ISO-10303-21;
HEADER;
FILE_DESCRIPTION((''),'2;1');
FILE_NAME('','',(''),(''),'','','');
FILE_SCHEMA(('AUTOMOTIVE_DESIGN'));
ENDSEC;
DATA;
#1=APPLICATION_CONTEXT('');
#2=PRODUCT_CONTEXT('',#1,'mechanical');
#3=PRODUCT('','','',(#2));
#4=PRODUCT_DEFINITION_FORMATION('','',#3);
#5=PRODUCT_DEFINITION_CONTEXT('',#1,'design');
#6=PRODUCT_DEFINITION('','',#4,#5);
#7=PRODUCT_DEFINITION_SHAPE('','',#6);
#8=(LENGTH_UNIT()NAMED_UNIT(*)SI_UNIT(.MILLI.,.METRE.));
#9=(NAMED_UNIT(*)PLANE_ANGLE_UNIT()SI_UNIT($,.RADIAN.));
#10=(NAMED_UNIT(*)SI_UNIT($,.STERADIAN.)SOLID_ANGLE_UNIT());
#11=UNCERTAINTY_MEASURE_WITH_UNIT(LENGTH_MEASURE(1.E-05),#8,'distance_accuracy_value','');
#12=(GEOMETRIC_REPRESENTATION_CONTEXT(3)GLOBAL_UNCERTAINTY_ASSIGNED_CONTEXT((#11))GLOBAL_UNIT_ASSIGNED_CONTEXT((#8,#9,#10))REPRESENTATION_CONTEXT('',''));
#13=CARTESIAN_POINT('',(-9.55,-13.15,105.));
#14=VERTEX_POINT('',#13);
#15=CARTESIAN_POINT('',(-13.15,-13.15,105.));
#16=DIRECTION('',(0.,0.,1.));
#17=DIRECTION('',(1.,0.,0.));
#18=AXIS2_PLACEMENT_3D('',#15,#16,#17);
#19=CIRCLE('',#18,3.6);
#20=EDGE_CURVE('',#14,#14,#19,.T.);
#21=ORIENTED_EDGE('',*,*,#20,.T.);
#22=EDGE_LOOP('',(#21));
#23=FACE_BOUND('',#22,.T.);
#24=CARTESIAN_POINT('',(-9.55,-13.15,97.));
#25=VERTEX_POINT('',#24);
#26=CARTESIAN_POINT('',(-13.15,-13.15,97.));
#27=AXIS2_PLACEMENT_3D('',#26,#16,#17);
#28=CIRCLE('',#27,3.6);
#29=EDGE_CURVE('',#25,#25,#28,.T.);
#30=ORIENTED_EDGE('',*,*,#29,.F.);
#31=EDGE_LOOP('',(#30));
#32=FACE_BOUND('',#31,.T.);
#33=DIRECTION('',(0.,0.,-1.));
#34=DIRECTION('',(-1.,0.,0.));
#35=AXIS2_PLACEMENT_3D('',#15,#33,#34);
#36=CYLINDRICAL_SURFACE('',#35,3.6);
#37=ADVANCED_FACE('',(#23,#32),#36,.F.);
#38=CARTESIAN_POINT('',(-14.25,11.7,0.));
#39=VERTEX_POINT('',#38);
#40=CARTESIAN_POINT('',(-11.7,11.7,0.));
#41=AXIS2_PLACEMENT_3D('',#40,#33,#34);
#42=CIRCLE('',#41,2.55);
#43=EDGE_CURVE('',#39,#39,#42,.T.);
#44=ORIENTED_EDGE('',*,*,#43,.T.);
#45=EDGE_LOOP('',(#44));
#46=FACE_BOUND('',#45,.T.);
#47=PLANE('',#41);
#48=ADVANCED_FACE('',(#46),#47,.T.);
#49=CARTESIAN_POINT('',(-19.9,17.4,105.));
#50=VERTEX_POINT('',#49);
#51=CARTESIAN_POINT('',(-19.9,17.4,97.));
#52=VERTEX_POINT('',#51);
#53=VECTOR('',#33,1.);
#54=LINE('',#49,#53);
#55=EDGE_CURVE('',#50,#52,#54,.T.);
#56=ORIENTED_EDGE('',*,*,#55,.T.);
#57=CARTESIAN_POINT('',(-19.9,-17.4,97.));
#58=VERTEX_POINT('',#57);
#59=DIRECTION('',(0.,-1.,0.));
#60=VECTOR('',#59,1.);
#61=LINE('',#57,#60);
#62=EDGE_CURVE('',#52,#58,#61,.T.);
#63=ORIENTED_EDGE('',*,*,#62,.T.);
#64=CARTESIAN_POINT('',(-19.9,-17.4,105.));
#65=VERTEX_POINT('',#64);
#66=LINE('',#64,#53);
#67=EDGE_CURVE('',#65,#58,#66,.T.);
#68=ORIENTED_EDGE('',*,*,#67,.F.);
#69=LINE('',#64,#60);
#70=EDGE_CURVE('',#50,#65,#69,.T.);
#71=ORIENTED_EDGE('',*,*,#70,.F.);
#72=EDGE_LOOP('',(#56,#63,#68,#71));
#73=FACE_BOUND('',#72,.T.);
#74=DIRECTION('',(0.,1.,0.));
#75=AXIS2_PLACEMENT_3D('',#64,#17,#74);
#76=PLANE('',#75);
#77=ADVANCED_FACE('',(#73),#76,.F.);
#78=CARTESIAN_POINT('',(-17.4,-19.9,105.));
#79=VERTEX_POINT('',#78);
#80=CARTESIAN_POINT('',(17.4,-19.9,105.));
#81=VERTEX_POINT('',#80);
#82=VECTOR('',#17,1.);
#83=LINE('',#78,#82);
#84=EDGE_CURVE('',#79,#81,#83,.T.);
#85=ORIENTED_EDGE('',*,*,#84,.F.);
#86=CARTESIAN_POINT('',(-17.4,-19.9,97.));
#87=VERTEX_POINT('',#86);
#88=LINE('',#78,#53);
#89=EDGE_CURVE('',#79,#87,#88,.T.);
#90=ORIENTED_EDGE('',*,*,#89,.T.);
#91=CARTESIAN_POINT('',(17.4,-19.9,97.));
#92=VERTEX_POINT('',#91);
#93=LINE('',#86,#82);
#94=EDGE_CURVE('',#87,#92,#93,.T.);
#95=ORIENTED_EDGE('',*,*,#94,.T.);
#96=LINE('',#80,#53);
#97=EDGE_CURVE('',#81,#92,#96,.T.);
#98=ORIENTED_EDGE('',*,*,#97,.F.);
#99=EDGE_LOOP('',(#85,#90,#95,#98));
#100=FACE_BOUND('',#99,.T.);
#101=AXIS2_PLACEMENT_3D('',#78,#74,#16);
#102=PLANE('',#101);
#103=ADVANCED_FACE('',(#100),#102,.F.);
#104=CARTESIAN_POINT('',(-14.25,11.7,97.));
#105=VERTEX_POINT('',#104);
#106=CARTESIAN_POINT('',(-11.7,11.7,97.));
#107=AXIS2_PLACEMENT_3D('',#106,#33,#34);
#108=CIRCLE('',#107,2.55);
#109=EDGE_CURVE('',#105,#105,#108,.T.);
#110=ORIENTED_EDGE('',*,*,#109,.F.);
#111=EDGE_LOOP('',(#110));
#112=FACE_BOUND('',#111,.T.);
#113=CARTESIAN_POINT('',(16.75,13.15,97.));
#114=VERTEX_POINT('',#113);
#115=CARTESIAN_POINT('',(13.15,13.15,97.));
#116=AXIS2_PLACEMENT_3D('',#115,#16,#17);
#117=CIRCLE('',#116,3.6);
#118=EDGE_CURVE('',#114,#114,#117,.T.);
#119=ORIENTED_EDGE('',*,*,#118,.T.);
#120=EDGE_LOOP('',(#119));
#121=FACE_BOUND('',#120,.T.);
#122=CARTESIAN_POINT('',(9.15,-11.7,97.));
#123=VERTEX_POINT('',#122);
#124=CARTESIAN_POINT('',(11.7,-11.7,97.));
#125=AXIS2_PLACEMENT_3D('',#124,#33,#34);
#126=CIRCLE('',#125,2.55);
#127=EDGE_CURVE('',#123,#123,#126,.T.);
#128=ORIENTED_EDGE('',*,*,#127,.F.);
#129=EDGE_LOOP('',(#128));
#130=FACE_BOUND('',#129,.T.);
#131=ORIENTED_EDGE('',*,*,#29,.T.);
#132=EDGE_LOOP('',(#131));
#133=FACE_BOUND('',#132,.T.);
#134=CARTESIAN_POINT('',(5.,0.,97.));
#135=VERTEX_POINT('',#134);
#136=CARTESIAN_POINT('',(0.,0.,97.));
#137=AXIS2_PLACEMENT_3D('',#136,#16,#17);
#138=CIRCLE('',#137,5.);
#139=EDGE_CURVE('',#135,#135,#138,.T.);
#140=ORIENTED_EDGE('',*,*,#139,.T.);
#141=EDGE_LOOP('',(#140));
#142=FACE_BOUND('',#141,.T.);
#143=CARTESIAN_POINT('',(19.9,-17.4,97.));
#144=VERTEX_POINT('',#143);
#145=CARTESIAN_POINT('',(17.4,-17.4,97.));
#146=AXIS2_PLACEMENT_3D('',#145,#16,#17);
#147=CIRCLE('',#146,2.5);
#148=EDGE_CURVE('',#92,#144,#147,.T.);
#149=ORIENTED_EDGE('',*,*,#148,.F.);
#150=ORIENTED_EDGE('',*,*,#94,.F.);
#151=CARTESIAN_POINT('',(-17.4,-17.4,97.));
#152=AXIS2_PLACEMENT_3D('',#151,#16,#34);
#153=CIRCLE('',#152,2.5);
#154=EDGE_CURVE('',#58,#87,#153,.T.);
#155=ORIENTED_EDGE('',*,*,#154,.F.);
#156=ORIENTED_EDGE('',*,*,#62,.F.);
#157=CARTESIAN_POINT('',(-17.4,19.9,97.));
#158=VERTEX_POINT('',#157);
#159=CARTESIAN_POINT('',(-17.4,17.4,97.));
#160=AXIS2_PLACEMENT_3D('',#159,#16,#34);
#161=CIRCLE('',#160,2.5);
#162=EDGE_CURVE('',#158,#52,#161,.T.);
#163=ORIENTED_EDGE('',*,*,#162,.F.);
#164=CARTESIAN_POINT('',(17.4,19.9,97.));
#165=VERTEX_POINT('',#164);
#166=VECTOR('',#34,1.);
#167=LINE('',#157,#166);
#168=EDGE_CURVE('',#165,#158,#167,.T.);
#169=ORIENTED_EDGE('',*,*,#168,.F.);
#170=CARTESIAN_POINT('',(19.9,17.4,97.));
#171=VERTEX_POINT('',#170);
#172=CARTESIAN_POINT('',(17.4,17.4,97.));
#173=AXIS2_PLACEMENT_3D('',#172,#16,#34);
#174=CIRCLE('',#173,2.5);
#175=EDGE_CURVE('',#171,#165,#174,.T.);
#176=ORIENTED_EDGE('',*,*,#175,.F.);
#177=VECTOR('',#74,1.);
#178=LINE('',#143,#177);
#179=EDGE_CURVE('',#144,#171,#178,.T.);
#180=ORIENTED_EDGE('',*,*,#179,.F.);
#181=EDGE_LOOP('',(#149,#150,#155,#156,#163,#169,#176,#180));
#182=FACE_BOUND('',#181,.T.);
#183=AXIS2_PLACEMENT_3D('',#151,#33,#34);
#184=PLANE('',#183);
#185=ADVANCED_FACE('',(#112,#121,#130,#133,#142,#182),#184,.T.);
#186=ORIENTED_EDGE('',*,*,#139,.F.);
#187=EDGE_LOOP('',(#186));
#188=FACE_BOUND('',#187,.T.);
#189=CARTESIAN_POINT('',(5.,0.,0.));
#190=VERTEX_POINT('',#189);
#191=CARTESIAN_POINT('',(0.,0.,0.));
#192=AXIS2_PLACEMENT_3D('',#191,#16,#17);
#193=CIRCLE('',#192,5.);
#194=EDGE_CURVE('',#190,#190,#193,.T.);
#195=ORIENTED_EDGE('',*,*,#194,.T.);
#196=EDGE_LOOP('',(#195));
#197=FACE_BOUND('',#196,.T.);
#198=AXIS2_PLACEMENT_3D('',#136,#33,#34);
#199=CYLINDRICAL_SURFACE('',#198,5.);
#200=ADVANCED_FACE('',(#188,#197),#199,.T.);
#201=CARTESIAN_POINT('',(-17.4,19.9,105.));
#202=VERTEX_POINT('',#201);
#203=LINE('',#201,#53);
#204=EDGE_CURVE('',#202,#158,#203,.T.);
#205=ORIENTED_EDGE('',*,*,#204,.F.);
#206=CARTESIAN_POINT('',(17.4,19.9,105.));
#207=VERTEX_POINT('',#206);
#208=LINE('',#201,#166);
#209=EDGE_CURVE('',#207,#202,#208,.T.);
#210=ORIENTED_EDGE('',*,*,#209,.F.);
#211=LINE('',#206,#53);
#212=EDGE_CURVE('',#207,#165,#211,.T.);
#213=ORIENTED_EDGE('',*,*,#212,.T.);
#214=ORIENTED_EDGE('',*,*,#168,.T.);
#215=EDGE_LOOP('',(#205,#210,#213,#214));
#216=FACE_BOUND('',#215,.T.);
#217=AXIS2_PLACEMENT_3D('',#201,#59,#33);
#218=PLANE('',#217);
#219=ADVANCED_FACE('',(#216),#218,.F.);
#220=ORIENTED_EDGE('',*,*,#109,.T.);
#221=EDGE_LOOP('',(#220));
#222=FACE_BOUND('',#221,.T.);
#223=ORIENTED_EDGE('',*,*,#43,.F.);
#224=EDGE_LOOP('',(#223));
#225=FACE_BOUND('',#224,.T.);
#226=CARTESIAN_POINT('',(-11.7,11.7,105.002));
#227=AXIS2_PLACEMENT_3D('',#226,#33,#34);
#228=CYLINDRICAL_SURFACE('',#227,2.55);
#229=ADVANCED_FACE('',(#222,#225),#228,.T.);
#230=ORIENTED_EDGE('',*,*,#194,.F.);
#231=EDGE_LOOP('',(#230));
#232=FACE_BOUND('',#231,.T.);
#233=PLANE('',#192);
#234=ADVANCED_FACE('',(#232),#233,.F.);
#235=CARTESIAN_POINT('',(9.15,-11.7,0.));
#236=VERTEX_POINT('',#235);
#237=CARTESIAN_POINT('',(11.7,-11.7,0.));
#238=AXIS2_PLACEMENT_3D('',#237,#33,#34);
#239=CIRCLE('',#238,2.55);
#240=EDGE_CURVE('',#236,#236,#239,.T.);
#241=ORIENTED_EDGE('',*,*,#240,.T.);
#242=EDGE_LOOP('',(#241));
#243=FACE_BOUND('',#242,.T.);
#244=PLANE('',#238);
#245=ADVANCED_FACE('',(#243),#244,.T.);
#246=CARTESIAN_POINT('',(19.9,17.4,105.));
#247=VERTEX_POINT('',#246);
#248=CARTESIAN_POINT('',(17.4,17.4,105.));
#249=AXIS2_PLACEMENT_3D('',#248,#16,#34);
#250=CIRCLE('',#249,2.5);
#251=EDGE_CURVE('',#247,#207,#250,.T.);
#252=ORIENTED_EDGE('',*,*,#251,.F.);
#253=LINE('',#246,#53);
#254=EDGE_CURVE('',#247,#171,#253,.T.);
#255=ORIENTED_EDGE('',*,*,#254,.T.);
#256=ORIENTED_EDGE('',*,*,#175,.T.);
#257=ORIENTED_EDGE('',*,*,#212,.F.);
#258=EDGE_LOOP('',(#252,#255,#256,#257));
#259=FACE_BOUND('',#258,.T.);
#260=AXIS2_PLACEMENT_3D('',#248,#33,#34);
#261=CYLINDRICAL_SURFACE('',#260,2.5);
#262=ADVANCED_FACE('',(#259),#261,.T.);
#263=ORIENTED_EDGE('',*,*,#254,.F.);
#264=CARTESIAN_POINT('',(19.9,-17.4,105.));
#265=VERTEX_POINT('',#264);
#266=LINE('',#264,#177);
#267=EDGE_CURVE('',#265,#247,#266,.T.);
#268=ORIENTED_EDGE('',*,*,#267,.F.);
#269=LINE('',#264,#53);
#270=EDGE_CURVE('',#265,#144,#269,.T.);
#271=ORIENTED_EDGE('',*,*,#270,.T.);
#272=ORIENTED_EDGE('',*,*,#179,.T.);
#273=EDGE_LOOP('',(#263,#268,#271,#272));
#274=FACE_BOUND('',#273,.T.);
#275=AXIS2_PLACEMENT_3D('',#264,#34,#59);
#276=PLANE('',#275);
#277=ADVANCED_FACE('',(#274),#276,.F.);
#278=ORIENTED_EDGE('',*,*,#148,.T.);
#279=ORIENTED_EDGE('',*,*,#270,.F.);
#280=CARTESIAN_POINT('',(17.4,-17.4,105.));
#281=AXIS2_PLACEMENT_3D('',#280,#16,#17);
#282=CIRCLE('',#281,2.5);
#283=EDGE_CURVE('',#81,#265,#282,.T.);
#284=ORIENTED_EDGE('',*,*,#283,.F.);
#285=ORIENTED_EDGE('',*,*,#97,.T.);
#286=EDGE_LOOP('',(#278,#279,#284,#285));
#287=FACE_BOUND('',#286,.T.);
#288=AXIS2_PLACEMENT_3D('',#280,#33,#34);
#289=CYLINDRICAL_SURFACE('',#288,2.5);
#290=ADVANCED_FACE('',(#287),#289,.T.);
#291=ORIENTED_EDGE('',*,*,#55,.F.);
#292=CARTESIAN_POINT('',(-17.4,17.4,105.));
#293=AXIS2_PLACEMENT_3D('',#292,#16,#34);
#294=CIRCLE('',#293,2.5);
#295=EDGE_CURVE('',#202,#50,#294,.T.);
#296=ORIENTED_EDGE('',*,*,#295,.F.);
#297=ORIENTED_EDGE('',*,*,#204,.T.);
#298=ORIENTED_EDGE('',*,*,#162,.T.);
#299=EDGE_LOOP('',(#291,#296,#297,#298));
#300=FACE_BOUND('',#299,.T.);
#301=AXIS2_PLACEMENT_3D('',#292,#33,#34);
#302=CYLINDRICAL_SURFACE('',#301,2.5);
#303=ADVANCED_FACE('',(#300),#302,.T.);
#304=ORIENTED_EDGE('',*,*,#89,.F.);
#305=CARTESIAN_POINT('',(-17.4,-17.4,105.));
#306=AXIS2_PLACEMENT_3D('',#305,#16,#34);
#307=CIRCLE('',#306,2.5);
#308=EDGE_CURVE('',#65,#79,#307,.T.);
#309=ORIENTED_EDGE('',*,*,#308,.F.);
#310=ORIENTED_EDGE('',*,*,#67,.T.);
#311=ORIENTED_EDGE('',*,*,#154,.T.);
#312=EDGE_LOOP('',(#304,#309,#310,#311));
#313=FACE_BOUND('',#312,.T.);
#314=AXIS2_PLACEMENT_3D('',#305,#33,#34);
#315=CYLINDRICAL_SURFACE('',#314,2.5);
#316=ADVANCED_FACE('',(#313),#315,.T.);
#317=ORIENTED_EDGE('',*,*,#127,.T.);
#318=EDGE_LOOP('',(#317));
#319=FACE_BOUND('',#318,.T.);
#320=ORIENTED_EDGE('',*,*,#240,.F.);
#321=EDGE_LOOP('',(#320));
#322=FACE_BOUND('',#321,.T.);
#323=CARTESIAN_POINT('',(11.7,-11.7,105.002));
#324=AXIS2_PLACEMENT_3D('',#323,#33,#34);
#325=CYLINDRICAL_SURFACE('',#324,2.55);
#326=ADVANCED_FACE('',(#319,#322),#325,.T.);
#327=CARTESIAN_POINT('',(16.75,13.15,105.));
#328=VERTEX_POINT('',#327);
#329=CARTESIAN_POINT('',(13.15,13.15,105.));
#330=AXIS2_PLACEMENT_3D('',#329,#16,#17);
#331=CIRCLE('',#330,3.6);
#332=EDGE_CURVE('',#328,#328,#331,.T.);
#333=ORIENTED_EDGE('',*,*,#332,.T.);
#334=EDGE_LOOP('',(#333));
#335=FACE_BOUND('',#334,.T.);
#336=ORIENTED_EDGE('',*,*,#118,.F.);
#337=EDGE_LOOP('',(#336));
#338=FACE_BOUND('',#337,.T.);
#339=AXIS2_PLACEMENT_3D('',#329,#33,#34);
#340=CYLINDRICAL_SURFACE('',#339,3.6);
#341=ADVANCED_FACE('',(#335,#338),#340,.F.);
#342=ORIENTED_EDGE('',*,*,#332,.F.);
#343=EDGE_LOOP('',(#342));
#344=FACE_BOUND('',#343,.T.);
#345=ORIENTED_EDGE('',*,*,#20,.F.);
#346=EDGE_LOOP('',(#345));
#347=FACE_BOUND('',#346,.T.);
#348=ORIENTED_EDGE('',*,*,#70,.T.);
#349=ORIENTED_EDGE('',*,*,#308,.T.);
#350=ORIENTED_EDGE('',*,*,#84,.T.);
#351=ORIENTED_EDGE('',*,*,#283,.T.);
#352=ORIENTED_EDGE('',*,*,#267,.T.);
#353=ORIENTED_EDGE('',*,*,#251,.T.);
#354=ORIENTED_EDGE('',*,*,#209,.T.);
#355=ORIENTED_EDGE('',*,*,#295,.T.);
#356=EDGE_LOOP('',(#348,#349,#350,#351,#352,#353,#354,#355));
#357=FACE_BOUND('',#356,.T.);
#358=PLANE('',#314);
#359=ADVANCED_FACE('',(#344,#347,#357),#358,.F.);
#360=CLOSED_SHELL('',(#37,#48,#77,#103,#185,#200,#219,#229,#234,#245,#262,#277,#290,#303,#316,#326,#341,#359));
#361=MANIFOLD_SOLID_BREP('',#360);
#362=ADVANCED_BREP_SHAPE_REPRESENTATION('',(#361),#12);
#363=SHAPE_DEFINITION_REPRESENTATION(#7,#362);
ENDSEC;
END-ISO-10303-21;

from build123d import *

# Parameters (mm, degrees)
SKETCH1_R           = 5
BOSS_EXTRUDE1_DEPTH = 97
SKETCH2_R           = 3.6
BOSS_EXTRUDE2_DEPTH = 8
BOSS_EXTRUDE3_REACH = 107
SKETCH4_R           = 2.55


with BuildPart() as part:
    # Sketch1 → Boss-Extrude1 (new body)
    with BuildSketch(Plane.XY):
        Circle(SKETCH1_R)
    extrude(amount=BOSS_EXTRUDE1_DEPTH)

    # Sketch2 → Boss-Extrude2 (add)
    with BuildSketch(Plane.XY.offset(97)):
        with BuildLine():
            Line((-17.4, -19.9), (17.4, -19.9))
            ThreePointArc((17.4, -19.9), (19.167766953, -19.167766953), (19.9, -17.4))
            Line((19.9, -17.4), (19.9, 17.4))
            ThreePointArc((19.9, 17.4), (19.167766953, 19.167766953), (17.4, 19.9))
            Line((17.4, 19.9), (-17.4, 19.9))
            ThreePointArc((-17.4, 19.9), (-19.167766953, 19.167766953), (-19.9, 17.4))
            Line((-19.9, 17.4), (-19.9, -17.4))
            ThreePointArc((-19.9, -17.4), (-19.167766953, -19.167766953), (-17.4, -19.9))
        make_face()
        with Locations((13.15, 13.15)):
            Circle(SKETCH2_R, mode=Mode.SUBTRACT)
        with Locations((-13.15, -13.15)):
            Circle(SKETCH2_R, mode=Mode.SUBTRACT)
    extrude(amount=BOSS_EXTRUDE2_DEPTH)

    # Sketch4 → Boss-Extrude3 (add, up to next)
    with BuildSketch(Plane(origin=(0, 0, 0), x_dir=(-1, 0, 0), z_dir=(0, 0, -1)), mode=Mode.PRIVATE) as boss_extrude3_sk1:
        with Locations((-11.7, -11.7)):
            Circle(SKETCH4_R)
    boss_extrude3_tool1 = extrude(boss_extrude3_sk1.sketch, amount=-BOSS_EXTRUDE3_REACH, mode=Mode.PRIVATE) - part.part
    add(boss_extrude3_tool1.solids().sort_by_distance((11.7, -11.7, 0))[0])
    # Sketch4 → Boss-Extrude3 (add, up to next)
    with BuildSketch(Plane(origin=(0, 0, 0), x_dir=(-1, 0, 0), z_dir=(0, 0, -1)), mode=Mode.PRIVATE) as boss_extrude3_sk2:
        with Locations((11.7, 11.7)):
            Circle(SKETCH4_R)
    boss_extrude3_tool2 = extrude(boss_extrude3_sk2.sketch, amount=-BOSS_EXTRUDE3_REACH, mode=Mode.PRIVATE) - part.part
    add(boss_extrude3_tool2.solids().sort_by_distance((-11.7, 11.7, 0))[0])


solid = part.part
